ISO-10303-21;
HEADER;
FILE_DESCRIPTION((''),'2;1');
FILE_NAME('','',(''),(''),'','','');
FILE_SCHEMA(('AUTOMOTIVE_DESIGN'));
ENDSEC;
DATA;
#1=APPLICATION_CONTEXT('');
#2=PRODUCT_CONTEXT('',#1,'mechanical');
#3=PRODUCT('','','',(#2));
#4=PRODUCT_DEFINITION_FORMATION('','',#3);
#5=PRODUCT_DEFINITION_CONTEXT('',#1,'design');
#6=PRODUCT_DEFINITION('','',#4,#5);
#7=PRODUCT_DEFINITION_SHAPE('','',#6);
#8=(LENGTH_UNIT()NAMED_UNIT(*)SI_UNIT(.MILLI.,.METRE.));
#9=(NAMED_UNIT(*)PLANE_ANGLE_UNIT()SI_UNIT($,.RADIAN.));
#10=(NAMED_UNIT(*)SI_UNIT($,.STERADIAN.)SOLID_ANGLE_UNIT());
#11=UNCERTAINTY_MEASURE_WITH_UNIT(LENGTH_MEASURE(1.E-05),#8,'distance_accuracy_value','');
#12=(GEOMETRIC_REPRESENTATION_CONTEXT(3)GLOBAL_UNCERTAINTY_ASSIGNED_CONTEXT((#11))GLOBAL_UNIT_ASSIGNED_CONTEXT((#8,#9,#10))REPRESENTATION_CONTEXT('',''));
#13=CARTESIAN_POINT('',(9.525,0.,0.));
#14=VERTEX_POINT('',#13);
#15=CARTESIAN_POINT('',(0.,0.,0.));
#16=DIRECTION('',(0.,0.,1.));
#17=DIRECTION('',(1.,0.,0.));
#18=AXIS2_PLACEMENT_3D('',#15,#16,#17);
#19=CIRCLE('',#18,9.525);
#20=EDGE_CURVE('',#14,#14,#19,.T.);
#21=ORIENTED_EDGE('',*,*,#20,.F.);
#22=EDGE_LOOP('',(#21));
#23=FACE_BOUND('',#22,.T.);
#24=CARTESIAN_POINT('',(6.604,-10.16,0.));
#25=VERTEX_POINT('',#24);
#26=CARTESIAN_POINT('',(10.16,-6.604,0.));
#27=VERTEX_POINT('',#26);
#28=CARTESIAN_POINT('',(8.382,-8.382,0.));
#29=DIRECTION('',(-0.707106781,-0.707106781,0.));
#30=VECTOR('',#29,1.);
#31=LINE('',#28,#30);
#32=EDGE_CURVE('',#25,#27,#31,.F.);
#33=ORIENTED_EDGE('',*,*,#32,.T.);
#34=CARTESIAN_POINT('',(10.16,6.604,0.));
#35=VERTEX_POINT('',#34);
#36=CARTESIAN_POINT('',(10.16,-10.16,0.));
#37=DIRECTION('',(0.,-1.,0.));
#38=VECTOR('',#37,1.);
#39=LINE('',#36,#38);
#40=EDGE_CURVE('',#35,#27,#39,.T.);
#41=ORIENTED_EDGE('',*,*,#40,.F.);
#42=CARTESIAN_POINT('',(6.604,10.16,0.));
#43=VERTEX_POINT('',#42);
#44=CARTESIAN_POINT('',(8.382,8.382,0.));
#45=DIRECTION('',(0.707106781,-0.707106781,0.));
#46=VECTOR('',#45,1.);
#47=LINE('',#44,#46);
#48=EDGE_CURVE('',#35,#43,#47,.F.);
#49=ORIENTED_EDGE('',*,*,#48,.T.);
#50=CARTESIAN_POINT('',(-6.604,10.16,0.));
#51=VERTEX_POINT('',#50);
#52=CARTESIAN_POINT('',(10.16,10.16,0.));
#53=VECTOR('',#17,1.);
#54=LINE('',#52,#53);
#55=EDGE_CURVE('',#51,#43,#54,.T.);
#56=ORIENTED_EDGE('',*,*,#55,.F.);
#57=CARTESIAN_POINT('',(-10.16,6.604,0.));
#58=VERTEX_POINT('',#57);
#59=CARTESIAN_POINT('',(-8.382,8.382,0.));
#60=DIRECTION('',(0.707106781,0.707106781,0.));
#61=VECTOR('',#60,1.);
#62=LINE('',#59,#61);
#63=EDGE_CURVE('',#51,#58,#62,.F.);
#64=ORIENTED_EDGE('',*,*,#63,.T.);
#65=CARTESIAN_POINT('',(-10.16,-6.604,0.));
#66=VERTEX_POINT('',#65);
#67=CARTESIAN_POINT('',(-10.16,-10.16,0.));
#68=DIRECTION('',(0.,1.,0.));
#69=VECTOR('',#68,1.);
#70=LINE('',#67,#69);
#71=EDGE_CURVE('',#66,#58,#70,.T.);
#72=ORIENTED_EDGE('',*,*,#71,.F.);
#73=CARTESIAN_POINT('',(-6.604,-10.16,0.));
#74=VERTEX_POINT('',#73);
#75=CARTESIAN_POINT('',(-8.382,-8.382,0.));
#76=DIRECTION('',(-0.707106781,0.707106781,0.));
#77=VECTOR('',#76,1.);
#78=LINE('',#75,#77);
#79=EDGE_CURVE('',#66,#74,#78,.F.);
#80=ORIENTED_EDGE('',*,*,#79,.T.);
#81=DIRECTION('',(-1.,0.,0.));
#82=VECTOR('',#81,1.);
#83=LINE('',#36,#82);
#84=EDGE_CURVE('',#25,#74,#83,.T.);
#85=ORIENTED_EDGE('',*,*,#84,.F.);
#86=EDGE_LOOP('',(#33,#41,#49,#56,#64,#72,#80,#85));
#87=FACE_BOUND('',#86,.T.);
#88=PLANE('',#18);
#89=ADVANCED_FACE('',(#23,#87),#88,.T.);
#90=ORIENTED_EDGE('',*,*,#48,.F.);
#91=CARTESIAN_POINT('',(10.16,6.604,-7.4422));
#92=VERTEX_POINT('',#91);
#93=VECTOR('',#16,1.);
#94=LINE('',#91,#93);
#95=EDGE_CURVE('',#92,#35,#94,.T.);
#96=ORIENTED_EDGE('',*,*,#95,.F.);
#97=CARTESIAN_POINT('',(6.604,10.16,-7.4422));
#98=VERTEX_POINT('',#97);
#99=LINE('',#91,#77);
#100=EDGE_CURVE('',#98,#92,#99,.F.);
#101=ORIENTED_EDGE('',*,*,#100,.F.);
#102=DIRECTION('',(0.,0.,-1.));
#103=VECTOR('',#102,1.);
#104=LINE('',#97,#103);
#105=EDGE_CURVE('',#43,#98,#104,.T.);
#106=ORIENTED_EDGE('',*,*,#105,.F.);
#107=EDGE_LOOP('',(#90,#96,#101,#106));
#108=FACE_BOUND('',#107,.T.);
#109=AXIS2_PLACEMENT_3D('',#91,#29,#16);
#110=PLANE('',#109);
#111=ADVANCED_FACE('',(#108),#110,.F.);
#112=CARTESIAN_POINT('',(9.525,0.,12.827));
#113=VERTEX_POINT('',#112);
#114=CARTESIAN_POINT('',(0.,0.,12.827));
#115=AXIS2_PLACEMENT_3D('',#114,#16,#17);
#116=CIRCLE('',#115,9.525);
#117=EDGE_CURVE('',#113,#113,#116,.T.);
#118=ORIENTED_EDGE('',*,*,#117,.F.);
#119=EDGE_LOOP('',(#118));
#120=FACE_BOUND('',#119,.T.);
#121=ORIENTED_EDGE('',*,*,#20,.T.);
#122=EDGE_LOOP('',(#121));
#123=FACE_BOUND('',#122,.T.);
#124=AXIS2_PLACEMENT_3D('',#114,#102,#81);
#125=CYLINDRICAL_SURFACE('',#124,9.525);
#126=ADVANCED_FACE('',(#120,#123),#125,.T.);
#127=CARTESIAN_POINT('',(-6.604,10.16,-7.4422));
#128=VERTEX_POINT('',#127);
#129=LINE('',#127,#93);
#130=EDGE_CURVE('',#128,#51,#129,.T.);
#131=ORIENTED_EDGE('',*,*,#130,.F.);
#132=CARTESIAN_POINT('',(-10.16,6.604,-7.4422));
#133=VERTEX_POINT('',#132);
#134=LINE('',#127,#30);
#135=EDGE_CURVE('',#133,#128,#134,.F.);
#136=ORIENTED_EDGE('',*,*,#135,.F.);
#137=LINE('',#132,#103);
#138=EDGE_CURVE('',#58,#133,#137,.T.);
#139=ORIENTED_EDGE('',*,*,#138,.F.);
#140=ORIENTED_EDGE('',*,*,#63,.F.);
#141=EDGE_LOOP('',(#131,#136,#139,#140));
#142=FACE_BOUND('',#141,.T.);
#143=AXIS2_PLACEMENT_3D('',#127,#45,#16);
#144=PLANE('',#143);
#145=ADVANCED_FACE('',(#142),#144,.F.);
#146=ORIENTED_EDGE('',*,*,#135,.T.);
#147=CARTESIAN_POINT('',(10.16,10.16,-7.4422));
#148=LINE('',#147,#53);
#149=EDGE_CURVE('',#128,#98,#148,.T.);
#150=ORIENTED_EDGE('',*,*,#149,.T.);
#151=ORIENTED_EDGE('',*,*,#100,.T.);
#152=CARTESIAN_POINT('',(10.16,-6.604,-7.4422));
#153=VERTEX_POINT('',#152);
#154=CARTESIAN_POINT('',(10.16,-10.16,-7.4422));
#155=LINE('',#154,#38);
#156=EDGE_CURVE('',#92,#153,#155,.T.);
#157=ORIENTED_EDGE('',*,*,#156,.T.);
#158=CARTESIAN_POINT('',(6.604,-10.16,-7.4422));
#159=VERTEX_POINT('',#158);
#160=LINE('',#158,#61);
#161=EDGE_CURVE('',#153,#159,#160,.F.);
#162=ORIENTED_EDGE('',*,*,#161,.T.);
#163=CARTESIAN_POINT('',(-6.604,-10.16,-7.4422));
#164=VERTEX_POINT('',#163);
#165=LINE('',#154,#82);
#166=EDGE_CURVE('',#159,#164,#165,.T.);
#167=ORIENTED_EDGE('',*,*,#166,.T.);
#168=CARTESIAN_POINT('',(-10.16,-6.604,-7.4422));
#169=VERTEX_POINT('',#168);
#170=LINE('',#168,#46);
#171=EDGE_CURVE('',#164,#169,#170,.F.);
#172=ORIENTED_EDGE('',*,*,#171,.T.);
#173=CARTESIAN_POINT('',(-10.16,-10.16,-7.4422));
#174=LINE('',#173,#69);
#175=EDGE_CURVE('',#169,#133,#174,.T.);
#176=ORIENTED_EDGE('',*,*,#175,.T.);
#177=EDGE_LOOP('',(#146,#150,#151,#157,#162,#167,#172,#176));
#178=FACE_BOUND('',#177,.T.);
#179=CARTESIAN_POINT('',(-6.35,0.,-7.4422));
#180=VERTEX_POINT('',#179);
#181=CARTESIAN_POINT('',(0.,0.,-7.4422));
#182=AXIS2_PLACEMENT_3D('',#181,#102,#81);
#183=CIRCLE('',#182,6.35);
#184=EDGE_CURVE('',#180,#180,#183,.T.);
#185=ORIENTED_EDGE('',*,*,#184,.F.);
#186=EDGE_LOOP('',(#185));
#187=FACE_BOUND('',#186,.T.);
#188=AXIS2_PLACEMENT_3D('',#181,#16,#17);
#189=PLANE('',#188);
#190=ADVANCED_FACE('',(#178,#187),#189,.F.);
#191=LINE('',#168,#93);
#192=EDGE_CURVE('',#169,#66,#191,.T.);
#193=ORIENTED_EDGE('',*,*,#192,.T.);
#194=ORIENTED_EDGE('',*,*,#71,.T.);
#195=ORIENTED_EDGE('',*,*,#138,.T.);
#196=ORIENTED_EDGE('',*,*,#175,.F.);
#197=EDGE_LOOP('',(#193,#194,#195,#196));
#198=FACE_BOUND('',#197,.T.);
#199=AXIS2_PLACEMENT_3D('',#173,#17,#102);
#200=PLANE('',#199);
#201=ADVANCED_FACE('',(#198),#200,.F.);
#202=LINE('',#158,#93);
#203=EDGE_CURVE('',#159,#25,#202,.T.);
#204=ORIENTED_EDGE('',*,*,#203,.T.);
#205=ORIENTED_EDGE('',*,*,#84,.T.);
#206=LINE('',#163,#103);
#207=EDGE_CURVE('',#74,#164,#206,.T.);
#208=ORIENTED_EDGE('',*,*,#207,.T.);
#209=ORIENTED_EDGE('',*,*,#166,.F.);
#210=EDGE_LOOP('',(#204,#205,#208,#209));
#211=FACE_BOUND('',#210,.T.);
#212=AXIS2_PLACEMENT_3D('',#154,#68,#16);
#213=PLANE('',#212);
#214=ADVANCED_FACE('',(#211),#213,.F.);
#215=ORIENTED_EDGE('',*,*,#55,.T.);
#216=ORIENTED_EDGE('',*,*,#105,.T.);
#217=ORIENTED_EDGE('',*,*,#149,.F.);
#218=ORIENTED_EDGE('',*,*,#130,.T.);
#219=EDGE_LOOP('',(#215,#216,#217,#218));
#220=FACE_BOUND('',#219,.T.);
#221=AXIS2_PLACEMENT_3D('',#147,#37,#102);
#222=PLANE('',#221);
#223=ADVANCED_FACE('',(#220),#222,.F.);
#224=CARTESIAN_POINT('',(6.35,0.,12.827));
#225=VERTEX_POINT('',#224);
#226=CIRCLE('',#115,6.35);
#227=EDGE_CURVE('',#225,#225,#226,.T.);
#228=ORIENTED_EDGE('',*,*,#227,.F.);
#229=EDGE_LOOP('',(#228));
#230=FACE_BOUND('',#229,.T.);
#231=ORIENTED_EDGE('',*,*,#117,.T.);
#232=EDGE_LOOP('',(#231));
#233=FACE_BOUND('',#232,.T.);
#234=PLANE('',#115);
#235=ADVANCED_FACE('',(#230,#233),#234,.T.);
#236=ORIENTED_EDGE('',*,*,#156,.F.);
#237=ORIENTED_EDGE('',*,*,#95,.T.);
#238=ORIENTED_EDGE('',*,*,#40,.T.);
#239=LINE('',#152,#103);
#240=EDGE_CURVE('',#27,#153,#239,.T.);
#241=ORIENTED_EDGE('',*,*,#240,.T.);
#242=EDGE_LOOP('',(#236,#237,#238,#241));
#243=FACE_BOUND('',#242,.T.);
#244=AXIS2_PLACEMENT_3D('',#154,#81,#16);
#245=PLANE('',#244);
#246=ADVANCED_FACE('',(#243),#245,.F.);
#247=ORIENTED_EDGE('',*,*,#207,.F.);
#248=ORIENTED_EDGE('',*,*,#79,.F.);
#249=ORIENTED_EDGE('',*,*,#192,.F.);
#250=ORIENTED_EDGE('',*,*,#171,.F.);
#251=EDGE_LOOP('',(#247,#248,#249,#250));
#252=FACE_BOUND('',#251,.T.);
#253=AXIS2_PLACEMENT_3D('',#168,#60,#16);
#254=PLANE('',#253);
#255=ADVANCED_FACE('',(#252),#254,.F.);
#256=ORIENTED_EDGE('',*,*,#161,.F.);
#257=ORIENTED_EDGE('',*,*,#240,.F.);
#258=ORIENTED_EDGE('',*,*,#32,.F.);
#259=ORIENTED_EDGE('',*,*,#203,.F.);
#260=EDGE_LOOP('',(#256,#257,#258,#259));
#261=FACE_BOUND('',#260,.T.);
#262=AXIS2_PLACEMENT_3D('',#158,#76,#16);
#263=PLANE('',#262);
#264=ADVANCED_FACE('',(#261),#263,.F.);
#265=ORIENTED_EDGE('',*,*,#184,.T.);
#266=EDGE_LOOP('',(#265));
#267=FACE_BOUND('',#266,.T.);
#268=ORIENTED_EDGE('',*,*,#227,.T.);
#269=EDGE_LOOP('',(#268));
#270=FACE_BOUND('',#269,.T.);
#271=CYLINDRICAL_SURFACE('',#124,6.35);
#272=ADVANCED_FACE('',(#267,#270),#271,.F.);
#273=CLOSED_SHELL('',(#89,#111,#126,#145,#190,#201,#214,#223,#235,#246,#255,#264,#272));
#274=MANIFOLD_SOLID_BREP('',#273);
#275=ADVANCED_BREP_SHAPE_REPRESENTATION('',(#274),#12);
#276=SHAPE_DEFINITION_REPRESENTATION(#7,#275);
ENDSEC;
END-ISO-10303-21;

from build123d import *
from build123d.topology import SkipClean

# Parameters (mm, degrees)
SKETCH1_R           = 9.525
SKETCH1_R_2         = 6.35
BOSS_EXTRUDE1_DEPTH = 12.827
BOSS_EXTRUDE2_START = 7.4422
SKETCH2_W           = 20.32
SKETCH2_H           = 20.32
SKETCH2_R           = 6.35
BOSS_EXTRUDE2_DEPTH = 7.4422
CHAMFER1_SIZE       = 3.556


with BuildPart() as part:
    # Sketch1 → Boss-Extrude1 (new body)
    with BuildSketch(Plane.XY):
        Circle(SKETCH1_R)
        Circle(SKETCH1_R_2, mode=Mode.SUBTRACT)
    extrude(amount=BOSS_EXTRUDE1_DEPTH)

    # Sketch2 → Boss-Extrude2 (add)
    with SkipClean():  # the faces are left unmerged after this step: merging them gives an invalid solid
        with BuildSketch(Plane(origin=(0, 0, 0), x_dir=(-1, 0, 0), z_dir=(0, 0, -1)).offset(BOSS_EXTRUDE2_START)):
            Rectangle(SKETCH2_W, SKETCH2_H)
            Circle(SKETCH2_R, mode=Mode.SUBTRACT)
        extrude(amount=-BOSS_EXTRUDE2_DEPTH)

    # Chamfer1
    chamfer1_edges = [part.edges().sort_by_distance(p)[0] for p in [
        (-10.16, -10.16, -3.7211),
        (-10.16, 10.16, -3.7211),
        (10.16, 10.16, -3.7211),
        (10.16, -10.16, -3.7211),
    ]]
    chamfer(chamfer1_edges, length=CHAMFER1_SIZE)


solid = part.part
